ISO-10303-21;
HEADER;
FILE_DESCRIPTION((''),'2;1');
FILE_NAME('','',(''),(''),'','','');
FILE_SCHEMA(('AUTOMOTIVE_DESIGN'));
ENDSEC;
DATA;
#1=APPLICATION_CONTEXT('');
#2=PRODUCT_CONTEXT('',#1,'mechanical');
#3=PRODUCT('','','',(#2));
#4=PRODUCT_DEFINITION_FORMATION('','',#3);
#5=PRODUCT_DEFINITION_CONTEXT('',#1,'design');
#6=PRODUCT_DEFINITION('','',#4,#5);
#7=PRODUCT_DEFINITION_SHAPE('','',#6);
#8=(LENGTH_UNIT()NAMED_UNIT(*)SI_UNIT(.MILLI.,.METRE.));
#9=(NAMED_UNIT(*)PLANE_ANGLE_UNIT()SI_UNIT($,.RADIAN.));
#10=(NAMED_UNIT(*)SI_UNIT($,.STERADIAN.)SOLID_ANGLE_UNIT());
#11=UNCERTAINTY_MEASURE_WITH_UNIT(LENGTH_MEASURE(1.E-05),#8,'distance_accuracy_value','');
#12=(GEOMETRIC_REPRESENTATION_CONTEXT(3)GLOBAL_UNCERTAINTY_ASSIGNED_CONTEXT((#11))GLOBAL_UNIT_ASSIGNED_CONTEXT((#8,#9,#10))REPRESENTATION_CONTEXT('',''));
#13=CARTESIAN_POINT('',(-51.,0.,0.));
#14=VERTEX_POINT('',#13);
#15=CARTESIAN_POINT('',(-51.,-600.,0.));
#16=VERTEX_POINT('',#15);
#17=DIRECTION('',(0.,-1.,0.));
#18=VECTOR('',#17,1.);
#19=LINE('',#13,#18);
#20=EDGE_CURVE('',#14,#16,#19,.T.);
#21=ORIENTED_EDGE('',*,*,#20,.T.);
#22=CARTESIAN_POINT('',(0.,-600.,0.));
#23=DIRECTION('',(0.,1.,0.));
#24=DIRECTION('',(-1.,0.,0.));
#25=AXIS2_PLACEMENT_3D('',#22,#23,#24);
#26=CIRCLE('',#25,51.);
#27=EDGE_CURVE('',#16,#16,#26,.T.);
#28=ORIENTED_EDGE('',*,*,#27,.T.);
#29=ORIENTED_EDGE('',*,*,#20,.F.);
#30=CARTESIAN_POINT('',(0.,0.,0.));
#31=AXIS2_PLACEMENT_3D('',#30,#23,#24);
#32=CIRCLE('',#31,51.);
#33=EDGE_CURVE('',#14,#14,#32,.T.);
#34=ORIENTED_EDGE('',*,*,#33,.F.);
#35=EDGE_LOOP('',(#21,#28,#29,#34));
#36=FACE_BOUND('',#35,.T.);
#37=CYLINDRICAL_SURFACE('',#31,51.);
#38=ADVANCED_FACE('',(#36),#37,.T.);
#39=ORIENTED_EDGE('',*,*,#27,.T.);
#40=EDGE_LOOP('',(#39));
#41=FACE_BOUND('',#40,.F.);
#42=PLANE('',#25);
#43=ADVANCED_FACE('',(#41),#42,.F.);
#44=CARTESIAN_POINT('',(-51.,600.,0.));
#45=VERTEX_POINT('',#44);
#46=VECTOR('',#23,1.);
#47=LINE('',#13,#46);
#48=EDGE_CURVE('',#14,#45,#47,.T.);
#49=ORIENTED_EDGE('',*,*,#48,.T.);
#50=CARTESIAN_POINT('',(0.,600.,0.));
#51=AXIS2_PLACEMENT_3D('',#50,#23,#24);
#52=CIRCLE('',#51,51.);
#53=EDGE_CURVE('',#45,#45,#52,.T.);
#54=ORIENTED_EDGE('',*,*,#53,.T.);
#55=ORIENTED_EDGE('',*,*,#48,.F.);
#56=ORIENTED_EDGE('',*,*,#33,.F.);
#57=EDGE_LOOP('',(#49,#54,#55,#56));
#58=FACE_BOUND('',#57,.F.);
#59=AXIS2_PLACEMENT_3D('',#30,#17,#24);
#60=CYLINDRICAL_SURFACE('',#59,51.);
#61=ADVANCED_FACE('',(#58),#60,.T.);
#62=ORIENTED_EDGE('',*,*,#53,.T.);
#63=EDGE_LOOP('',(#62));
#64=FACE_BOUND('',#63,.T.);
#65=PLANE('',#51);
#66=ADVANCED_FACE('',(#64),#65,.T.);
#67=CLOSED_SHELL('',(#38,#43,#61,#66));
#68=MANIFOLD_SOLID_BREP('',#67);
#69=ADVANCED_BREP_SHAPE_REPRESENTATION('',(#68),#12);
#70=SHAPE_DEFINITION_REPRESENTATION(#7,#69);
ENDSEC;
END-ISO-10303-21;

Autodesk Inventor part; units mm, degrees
ref_plane "YZ Plane" through (0, 0, 0) normal (1, 0, 0) x (0, 1, 0)
ref_plane "XZ Plane" through (0, 0, 0) normal (0, 1, 0) x (-1, 0, 0)
ref_plane "XY Plane" through (0, 0, 0) normal (0, 0, 1) x (1, 0, 0)
sketch "Skizze1" plane through (0, 0, 0) normal (0, 1, 0) x (-1, 0, 0)
  circle A0 centre (0, 0) radius 51
  dimension "d0" = 102
extrude "Extrusion1" add sketch "Skizze1" along normal mid plane 1200
properties part number "Pipe"
